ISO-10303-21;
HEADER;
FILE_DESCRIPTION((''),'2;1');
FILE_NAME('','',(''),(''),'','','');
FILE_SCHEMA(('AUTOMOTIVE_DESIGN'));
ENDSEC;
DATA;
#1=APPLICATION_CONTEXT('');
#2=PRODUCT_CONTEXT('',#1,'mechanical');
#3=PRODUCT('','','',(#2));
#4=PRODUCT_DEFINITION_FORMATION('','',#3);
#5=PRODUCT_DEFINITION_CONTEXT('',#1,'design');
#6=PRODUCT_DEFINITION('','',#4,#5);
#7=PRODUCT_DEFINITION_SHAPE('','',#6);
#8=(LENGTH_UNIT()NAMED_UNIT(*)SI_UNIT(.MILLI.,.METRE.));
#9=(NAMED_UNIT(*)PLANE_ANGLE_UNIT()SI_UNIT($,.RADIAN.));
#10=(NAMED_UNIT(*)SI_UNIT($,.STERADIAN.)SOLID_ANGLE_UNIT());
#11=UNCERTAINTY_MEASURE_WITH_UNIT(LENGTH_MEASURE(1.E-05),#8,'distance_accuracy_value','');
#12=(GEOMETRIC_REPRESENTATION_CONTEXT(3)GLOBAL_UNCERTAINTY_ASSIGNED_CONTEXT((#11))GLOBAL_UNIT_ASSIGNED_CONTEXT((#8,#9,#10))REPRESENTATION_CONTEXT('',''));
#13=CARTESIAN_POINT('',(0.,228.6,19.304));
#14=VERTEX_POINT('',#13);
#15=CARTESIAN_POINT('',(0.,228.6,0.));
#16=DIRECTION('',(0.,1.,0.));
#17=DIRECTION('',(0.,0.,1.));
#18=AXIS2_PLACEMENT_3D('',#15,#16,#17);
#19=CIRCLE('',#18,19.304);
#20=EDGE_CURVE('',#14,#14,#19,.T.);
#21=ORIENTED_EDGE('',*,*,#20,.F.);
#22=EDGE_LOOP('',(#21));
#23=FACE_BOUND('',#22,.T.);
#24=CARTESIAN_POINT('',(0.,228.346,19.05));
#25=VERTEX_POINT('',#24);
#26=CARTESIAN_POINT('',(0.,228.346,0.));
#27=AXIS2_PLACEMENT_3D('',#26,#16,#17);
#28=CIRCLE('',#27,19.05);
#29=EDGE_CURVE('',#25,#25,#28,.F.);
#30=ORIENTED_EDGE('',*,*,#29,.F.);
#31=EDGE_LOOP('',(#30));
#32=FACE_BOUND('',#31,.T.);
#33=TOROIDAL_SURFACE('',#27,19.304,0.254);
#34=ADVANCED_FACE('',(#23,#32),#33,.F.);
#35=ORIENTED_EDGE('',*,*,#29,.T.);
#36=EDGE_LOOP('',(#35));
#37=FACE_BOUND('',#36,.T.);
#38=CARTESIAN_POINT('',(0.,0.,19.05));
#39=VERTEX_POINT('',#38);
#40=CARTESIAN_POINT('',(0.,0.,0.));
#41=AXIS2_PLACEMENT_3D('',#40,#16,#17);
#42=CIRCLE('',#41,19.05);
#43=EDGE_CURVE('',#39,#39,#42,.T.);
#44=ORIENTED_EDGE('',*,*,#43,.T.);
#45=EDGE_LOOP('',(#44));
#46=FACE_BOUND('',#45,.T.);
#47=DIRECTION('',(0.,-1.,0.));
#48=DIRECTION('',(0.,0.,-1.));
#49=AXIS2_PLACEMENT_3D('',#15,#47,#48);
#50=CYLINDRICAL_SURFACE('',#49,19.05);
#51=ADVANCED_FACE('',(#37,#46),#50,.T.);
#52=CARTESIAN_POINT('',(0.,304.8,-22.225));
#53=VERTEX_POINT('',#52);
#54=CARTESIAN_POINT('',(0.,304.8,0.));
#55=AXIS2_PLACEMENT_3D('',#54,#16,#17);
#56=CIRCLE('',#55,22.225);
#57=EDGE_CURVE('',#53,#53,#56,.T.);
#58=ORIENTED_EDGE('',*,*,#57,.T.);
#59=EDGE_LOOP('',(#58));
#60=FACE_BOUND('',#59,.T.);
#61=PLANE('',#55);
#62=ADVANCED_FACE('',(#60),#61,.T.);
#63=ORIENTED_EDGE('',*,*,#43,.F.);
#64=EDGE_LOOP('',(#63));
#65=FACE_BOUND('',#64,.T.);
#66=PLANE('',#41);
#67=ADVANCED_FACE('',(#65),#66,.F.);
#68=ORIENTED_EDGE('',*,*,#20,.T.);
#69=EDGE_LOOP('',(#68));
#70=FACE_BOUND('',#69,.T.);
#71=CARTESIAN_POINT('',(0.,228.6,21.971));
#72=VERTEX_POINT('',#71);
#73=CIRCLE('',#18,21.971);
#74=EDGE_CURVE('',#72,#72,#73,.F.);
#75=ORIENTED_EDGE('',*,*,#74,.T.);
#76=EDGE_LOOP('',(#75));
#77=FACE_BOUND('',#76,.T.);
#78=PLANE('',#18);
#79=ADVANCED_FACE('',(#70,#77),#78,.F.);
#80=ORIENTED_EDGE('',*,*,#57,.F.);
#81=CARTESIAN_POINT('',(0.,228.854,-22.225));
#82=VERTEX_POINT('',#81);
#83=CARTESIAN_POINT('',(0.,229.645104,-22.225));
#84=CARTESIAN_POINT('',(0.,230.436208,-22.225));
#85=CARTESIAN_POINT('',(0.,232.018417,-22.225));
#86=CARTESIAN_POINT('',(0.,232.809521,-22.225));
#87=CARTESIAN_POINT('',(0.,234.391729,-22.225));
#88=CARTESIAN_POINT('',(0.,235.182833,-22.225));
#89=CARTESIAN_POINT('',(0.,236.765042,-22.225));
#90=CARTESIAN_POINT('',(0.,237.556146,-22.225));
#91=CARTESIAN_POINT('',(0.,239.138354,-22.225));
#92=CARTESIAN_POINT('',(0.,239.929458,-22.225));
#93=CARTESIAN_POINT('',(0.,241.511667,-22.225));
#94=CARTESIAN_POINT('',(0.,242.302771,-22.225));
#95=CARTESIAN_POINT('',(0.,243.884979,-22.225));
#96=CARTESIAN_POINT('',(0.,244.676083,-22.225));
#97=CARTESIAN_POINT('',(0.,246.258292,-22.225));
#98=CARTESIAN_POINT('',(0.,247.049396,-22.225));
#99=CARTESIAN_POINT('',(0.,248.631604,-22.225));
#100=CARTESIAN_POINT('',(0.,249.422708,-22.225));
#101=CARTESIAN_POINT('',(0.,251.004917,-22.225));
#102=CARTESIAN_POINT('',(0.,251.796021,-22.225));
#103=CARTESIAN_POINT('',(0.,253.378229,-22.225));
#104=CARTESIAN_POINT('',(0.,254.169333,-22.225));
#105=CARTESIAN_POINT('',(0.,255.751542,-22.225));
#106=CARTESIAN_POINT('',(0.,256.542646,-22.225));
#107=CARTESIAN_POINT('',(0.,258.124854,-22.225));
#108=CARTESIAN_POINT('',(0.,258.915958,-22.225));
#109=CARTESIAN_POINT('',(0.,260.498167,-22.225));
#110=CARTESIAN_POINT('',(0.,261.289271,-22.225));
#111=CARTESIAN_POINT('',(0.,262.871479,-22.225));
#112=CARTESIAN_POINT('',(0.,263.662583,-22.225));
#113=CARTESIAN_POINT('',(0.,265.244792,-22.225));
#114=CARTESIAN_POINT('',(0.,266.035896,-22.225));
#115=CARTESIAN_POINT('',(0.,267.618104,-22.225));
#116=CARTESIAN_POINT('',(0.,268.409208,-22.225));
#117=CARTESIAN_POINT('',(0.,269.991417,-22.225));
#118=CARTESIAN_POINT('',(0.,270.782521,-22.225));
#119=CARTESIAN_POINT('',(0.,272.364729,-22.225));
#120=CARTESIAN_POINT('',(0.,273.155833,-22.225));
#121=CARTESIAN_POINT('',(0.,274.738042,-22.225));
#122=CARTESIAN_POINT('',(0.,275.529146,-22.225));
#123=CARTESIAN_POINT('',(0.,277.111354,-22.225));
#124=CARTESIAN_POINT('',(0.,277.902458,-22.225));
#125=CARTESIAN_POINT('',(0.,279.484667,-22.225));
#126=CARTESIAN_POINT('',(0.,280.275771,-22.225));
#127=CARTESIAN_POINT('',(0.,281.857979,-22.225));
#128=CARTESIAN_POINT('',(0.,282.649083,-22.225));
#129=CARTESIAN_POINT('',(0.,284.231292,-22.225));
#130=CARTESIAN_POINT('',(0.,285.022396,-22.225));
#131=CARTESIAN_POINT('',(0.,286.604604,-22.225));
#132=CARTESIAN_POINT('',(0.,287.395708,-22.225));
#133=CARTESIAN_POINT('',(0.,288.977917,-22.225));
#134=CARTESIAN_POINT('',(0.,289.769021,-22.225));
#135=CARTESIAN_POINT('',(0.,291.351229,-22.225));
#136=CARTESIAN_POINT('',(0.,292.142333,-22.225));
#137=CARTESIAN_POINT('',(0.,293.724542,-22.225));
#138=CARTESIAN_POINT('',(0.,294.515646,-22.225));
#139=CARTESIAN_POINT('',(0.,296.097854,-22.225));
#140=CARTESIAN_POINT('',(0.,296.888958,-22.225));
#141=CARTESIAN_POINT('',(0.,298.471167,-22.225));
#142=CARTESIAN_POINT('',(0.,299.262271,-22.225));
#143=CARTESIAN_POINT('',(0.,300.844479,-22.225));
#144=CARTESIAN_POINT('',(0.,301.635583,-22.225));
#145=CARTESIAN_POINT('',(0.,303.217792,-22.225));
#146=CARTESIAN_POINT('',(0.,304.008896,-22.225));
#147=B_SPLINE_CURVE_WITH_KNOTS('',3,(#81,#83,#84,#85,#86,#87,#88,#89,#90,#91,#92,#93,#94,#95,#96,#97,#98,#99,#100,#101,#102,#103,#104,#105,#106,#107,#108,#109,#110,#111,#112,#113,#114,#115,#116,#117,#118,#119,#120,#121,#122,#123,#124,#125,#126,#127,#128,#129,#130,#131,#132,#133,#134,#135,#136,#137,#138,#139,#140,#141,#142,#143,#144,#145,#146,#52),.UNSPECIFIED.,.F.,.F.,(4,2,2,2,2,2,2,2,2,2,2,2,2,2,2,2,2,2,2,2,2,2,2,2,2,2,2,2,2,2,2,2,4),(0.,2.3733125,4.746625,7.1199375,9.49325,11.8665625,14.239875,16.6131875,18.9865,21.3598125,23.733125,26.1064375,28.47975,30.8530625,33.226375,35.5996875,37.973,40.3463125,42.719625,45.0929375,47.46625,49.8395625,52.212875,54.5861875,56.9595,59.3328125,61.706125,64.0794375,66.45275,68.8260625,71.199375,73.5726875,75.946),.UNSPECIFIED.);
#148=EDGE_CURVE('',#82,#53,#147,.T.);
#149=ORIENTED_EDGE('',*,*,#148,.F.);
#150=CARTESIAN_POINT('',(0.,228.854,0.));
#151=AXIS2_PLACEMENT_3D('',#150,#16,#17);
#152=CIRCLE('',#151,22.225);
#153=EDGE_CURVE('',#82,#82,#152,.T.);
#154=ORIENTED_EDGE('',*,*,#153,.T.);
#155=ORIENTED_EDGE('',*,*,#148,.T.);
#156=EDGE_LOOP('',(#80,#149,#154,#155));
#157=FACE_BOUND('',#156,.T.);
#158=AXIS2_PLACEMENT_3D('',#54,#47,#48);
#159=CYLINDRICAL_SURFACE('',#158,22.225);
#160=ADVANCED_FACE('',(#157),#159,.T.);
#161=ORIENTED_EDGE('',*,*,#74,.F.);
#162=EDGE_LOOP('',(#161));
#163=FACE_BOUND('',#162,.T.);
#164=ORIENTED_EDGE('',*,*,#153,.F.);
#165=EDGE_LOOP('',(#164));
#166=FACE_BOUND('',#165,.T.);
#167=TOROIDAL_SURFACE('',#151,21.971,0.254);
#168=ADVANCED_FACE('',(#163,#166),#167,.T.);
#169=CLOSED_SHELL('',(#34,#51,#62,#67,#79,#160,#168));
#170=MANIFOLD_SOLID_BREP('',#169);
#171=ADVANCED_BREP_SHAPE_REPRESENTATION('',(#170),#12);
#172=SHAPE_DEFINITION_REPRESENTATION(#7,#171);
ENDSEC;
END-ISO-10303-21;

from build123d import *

# Parameters (mm, degrees)
SKETCH2_R           = 19.05
BOSS_EXTRUDE1_DEPTH = 228.6
SKETCH3_R           = 22.225
BOSS_EXTRUDE2_DEPTH = 76.2
FILLET1_R           = 0.254


with BuildPart() as part:
    # Sketch2 → Boss-Extrude1 (new body)
    with BuildSketch(Plane(origin=(0, 0, 0), x_dir=(1, 0, 0), z_dir=(0, 1, 0))):
        with Locations(Location((0, 0, 0), (0, 0, 270))):
            Circle(SKETCH2_R)
    extrude(amount=BOSS_EXTRUDE1_DEPTH)

    # Sketch3 → Boss-Extrude2 (add)
    with BuildSketch(Plane(origin=(0, 228.6, 0), x_dir=(1, 0, 0), z_dir=(0, 1, 0))):
        with Locations(Location((0, 0, 0), (0, 0, 90))):
            Circle(SKETCH3_R)
    extrude(amount=BOSS_EXTRUDE2_DEPTH)

    # Fillet1
    fillet1_edges = [part.edges().sort_by_distance(p)[0] for p in [
        (0, 228.6, -19.05),
        (0, 228.6, 22.225),
    ]]
    fillet(fillet1_edges, radius=FILLET1_R)


solid = part.part
